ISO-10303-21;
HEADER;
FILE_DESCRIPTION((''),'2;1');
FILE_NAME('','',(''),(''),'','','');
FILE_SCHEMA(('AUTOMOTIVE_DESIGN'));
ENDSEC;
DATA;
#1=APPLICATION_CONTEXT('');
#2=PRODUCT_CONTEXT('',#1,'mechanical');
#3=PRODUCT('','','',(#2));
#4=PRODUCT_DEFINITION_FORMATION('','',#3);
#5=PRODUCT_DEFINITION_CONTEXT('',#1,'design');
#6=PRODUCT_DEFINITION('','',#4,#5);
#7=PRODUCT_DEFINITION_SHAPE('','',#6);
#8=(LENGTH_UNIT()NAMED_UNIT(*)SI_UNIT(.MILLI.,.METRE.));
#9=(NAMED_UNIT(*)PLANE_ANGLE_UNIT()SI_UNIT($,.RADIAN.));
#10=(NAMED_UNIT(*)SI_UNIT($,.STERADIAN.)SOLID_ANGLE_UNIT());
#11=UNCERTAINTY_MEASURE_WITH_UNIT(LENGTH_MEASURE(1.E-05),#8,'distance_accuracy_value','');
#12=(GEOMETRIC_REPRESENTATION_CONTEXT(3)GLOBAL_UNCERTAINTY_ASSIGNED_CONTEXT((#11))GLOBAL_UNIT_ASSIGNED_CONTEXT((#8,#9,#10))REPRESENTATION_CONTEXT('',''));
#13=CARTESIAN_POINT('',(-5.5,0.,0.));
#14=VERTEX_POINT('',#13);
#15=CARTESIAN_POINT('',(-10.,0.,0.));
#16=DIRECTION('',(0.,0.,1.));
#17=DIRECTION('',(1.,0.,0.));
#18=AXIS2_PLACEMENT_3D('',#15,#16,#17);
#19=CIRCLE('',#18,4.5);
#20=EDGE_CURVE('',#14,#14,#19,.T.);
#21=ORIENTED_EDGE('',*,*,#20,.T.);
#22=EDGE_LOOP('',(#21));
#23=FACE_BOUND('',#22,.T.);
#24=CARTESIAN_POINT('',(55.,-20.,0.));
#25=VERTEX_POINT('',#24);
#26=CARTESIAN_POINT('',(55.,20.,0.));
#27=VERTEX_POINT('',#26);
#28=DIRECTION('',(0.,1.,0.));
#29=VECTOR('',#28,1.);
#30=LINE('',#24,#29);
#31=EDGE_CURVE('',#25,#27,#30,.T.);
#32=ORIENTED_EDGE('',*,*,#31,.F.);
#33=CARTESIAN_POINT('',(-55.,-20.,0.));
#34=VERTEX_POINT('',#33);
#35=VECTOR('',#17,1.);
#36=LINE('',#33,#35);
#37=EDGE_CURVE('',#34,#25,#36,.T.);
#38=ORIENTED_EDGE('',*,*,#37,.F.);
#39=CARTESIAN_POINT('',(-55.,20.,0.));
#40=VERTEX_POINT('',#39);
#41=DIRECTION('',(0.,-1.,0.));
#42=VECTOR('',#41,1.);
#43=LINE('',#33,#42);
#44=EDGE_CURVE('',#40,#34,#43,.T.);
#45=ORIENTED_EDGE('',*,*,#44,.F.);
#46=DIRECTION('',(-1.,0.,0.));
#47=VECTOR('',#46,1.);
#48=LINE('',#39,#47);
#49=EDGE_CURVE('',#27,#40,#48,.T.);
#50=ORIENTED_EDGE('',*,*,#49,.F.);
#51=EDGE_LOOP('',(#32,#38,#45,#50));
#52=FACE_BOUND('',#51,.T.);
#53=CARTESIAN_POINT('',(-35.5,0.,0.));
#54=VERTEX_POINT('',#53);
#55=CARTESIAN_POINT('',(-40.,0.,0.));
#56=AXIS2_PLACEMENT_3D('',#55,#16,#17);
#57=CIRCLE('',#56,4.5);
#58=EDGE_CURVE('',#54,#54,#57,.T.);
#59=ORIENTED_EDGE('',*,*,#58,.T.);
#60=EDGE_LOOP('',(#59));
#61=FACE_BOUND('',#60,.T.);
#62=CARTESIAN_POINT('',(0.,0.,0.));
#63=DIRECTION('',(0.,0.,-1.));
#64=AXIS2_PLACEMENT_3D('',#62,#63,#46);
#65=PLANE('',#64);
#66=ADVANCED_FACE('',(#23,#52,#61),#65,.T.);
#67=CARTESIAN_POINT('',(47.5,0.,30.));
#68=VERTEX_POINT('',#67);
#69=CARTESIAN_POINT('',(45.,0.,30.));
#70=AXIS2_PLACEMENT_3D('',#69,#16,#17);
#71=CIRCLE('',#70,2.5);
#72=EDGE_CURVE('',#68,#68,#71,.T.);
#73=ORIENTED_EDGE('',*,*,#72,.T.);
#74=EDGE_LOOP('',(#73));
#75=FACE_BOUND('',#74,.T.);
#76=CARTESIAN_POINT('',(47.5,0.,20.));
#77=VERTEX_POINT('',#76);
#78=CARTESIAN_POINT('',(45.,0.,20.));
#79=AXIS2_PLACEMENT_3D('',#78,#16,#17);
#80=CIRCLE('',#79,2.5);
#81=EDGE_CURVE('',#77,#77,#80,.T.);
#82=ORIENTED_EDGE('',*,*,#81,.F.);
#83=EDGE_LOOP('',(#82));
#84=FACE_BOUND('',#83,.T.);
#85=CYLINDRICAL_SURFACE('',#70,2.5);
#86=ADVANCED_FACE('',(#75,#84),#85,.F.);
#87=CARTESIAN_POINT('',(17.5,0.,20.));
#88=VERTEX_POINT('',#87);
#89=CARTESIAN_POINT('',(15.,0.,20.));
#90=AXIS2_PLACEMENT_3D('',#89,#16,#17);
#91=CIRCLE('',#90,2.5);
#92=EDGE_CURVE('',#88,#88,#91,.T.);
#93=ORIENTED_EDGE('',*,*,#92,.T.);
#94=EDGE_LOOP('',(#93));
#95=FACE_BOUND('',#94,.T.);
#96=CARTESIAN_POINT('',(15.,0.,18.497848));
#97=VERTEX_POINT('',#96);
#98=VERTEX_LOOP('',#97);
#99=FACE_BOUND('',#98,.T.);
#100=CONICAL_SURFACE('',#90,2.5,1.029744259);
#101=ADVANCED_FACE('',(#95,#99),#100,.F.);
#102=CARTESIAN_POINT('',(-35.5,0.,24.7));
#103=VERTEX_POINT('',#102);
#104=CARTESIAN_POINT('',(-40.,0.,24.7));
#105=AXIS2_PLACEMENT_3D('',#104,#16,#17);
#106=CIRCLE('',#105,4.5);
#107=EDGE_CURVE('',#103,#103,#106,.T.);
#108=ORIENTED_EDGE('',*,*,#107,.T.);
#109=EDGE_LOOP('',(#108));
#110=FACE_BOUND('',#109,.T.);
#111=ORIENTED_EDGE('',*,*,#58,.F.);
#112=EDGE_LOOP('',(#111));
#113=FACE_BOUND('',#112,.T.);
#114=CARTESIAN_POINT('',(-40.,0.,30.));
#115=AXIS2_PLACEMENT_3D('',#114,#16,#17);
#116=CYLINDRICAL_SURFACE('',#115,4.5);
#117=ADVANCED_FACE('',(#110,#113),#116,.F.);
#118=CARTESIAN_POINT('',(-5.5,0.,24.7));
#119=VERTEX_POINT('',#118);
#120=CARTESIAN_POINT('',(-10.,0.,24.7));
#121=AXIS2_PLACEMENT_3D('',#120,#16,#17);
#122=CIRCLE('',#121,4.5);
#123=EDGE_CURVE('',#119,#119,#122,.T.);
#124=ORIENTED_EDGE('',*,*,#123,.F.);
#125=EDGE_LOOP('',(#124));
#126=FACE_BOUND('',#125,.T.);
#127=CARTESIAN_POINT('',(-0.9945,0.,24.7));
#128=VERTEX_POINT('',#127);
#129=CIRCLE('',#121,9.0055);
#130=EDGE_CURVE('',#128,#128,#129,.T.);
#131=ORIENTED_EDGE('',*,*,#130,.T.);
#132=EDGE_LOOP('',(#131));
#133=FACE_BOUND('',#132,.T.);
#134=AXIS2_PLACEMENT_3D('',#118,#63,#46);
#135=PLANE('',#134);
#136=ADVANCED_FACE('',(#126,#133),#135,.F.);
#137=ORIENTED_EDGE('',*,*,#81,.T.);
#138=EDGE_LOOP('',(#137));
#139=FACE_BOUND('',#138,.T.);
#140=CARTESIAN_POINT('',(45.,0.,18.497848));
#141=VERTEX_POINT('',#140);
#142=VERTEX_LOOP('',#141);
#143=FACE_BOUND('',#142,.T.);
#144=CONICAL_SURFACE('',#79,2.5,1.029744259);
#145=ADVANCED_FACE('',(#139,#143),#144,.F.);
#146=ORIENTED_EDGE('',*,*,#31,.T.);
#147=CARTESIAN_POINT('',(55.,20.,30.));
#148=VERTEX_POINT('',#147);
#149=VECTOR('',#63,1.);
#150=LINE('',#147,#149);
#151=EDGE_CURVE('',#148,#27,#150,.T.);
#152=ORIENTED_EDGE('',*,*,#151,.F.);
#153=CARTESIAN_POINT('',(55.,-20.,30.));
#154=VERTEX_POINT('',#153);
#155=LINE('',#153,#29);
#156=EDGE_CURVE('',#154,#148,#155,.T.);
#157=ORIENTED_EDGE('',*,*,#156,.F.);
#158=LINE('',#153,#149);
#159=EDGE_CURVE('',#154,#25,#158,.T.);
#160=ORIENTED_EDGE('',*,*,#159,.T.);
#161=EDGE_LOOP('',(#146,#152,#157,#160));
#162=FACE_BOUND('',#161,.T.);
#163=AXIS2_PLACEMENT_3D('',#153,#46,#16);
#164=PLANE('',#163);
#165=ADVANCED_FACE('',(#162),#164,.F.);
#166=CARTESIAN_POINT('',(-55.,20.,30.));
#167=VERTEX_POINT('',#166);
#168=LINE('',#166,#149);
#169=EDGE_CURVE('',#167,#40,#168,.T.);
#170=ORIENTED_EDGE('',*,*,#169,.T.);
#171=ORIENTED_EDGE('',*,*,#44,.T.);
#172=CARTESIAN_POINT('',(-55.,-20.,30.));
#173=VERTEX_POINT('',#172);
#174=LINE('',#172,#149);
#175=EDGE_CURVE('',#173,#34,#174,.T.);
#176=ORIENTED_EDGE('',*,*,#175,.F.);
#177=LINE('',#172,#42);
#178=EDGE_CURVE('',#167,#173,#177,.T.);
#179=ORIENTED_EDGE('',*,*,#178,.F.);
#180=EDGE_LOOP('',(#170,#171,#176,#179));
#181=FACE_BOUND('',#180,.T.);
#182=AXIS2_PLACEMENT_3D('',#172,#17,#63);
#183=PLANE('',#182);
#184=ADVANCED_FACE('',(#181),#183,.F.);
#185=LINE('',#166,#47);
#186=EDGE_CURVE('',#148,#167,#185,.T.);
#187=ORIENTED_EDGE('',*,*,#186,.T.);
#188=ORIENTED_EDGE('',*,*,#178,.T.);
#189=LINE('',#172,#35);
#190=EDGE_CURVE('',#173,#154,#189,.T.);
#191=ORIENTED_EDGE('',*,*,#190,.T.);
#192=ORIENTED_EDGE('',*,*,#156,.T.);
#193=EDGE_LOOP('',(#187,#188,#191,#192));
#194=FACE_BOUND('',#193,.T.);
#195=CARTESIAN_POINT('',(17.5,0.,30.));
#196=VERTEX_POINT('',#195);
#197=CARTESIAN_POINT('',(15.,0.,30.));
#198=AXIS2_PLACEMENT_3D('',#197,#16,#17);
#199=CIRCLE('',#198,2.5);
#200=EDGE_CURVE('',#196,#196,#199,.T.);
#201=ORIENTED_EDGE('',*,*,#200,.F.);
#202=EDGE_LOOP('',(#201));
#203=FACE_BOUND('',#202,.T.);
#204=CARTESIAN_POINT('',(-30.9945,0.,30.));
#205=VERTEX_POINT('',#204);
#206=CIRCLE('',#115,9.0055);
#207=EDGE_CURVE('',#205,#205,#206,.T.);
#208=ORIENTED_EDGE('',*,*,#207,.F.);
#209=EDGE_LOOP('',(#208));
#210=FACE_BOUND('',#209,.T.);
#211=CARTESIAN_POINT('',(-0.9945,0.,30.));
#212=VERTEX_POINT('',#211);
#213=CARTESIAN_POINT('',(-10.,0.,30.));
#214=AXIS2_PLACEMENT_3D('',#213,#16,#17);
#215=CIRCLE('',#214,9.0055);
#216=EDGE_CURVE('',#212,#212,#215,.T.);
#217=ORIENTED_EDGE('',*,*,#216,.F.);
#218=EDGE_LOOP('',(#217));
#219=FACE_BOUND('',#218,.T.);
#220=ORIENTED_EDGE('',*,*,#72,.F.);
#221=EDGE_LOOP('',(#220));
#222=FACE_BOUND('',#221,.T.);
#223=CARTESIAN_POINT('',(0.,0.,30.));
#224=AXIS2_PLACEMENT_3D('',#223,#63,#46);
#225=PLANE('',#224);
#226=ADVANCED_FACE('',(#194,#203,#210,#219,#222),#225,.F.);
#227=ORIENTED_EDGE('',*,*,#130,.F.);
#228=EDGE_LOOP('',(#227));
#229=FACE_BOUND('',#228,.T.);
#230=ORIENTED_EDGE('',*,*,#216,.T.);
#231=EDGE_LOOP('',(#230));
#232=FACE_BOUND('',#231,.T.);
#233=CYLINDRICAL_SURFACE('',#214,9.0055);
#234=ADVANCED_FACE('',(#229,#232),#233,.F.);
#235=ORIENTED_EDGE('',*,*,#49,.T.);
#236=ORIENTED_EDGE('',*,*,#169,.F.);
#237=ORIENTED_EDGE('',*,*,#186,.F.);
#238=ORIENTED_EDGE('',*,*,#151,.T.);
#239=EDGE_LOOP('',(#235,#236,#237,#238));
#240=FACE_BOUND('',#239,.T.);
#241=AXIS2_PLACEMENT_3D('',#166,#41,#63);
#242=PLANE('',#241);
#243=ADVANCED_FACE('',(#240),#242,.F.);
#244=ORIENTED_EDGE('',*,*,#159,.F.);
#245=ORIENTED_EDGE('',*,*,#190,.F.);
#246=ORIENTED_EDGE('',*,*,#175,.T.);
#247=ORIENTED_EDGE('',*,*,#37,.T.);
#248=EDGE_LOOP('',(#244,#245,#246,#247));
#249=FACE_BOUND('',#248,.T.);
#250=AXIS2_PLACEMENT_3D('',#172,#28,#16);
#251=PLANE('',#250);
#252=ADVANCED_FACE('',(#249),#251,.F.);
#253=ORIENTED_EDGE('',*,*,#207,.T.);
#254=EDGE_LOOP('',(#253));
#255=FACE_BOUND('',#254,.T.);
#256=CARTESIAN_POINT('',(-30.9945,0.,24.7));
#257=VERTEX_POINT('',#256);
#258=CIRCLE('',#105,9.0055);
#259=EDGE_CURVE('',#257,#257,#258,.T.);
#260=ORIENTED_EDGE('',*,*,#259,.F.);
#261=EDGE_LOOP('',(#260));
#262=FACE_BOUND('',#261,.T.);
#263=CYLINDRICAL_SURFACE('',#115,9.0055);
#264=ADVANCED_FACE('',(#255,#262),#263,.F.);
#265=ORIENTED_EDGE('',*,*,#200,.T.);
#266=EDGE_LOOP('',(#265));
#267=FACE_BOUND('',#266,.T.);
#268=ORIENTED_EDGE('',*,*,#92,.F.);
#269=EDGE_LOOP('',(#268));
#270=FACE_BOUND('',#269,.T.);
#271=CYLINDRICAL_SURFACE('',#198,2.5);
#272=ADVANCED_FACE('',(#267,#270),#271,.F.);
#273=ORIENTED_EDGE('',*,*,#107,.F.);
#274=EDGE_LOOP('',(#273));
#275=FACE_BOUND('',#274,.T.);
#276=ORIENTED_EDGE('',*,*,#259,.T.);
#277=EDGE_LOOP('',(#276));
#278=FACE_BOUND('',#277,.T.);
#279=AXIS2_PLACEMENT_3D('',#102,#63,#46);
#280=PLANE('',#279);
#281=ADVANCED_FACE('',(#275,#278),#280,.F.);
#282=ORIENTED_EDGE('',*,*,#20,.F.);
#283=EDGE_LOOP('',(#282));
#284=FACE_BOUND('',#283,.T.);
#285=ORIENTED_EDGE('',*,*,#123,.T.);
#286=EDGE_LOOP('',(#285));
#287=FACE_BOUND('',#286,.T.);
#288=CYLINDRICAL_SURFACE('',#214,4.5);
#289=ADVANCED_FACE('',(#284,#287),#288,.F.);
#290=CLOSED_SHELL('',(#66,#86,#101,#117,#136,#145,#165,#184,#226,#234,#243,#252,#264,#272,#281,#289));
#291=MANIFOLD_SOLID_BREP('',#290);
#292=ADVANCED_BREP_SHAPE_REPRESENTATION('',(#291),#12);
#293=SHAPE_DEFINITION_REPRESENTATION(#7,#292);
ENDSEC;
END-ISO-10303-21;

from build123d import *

# Parameters (mm, degrees)
SKETCH1_W                               = 110
SKETCH1_H                               = 40
BRACKET_DEPTH                           = 30
CBORE_FOR_M8_HEX_HEAD_BOLT1_D           = 9
CBORE_FOR_M8_HEX_HEAD_BOLT1_CBORE_D     = 18.011
CBORE_FOR_M8_HEX_HEAD_BOLT1_CBORE_DEPTH = 5.3
M6_TAPPED_HOLE1_D                       = 5
M6_TAPPED_HOLE1_DEPTH                   = 10
M6_TAPPED_HOLE1_TIP                     = 1.502151548


with BuildPart() as part:
    # Sketch1 → BRACKET (new body)
    with BuildSketch(Plane.XY):
        Rectangle(SKETCH1_W, SKETCH1_H)
    extrude(amount=BRACKET_DEPTH)

    # CBORE for M8 Hex Head Bolt1 (through all)
    with Locations(Plane.XY.offset(30)):
        with Locations((-40, 0), (-10, 0)):
            CounterBoreHole(CBORE_FOR_M8_HEX_HEAD_BOLT1_D / 2, CBORE_FOR_M8_HEX_HEAD_BOLT1_CBORE_D / 2, CBORE_FOR_M8_HEX_HEAD_BOLT1_CBORE_DEPTH)

    # M6 Tapped Hole1
    with Locations(Plane.XY.offset(30)):
        with Locations((15, 0), (45, 0)):
            Hole(M6_TAPPED_HOLE1_D / 2, depth=M6_TAPPED_HOLE1_DEPTH)
            with Locations((0, 0, -(M6_TAPPED_HOLE1_DEPTH + M6_TAPPED_HOLE1_TIP / 2))):  # 118° drill point
                Cone(0, M6_TAPPED_HOLE1_D / 2, M6_TAPPED_HOLE1_TIP, mode=Mode.SUBTRACT)


solid = part.part
